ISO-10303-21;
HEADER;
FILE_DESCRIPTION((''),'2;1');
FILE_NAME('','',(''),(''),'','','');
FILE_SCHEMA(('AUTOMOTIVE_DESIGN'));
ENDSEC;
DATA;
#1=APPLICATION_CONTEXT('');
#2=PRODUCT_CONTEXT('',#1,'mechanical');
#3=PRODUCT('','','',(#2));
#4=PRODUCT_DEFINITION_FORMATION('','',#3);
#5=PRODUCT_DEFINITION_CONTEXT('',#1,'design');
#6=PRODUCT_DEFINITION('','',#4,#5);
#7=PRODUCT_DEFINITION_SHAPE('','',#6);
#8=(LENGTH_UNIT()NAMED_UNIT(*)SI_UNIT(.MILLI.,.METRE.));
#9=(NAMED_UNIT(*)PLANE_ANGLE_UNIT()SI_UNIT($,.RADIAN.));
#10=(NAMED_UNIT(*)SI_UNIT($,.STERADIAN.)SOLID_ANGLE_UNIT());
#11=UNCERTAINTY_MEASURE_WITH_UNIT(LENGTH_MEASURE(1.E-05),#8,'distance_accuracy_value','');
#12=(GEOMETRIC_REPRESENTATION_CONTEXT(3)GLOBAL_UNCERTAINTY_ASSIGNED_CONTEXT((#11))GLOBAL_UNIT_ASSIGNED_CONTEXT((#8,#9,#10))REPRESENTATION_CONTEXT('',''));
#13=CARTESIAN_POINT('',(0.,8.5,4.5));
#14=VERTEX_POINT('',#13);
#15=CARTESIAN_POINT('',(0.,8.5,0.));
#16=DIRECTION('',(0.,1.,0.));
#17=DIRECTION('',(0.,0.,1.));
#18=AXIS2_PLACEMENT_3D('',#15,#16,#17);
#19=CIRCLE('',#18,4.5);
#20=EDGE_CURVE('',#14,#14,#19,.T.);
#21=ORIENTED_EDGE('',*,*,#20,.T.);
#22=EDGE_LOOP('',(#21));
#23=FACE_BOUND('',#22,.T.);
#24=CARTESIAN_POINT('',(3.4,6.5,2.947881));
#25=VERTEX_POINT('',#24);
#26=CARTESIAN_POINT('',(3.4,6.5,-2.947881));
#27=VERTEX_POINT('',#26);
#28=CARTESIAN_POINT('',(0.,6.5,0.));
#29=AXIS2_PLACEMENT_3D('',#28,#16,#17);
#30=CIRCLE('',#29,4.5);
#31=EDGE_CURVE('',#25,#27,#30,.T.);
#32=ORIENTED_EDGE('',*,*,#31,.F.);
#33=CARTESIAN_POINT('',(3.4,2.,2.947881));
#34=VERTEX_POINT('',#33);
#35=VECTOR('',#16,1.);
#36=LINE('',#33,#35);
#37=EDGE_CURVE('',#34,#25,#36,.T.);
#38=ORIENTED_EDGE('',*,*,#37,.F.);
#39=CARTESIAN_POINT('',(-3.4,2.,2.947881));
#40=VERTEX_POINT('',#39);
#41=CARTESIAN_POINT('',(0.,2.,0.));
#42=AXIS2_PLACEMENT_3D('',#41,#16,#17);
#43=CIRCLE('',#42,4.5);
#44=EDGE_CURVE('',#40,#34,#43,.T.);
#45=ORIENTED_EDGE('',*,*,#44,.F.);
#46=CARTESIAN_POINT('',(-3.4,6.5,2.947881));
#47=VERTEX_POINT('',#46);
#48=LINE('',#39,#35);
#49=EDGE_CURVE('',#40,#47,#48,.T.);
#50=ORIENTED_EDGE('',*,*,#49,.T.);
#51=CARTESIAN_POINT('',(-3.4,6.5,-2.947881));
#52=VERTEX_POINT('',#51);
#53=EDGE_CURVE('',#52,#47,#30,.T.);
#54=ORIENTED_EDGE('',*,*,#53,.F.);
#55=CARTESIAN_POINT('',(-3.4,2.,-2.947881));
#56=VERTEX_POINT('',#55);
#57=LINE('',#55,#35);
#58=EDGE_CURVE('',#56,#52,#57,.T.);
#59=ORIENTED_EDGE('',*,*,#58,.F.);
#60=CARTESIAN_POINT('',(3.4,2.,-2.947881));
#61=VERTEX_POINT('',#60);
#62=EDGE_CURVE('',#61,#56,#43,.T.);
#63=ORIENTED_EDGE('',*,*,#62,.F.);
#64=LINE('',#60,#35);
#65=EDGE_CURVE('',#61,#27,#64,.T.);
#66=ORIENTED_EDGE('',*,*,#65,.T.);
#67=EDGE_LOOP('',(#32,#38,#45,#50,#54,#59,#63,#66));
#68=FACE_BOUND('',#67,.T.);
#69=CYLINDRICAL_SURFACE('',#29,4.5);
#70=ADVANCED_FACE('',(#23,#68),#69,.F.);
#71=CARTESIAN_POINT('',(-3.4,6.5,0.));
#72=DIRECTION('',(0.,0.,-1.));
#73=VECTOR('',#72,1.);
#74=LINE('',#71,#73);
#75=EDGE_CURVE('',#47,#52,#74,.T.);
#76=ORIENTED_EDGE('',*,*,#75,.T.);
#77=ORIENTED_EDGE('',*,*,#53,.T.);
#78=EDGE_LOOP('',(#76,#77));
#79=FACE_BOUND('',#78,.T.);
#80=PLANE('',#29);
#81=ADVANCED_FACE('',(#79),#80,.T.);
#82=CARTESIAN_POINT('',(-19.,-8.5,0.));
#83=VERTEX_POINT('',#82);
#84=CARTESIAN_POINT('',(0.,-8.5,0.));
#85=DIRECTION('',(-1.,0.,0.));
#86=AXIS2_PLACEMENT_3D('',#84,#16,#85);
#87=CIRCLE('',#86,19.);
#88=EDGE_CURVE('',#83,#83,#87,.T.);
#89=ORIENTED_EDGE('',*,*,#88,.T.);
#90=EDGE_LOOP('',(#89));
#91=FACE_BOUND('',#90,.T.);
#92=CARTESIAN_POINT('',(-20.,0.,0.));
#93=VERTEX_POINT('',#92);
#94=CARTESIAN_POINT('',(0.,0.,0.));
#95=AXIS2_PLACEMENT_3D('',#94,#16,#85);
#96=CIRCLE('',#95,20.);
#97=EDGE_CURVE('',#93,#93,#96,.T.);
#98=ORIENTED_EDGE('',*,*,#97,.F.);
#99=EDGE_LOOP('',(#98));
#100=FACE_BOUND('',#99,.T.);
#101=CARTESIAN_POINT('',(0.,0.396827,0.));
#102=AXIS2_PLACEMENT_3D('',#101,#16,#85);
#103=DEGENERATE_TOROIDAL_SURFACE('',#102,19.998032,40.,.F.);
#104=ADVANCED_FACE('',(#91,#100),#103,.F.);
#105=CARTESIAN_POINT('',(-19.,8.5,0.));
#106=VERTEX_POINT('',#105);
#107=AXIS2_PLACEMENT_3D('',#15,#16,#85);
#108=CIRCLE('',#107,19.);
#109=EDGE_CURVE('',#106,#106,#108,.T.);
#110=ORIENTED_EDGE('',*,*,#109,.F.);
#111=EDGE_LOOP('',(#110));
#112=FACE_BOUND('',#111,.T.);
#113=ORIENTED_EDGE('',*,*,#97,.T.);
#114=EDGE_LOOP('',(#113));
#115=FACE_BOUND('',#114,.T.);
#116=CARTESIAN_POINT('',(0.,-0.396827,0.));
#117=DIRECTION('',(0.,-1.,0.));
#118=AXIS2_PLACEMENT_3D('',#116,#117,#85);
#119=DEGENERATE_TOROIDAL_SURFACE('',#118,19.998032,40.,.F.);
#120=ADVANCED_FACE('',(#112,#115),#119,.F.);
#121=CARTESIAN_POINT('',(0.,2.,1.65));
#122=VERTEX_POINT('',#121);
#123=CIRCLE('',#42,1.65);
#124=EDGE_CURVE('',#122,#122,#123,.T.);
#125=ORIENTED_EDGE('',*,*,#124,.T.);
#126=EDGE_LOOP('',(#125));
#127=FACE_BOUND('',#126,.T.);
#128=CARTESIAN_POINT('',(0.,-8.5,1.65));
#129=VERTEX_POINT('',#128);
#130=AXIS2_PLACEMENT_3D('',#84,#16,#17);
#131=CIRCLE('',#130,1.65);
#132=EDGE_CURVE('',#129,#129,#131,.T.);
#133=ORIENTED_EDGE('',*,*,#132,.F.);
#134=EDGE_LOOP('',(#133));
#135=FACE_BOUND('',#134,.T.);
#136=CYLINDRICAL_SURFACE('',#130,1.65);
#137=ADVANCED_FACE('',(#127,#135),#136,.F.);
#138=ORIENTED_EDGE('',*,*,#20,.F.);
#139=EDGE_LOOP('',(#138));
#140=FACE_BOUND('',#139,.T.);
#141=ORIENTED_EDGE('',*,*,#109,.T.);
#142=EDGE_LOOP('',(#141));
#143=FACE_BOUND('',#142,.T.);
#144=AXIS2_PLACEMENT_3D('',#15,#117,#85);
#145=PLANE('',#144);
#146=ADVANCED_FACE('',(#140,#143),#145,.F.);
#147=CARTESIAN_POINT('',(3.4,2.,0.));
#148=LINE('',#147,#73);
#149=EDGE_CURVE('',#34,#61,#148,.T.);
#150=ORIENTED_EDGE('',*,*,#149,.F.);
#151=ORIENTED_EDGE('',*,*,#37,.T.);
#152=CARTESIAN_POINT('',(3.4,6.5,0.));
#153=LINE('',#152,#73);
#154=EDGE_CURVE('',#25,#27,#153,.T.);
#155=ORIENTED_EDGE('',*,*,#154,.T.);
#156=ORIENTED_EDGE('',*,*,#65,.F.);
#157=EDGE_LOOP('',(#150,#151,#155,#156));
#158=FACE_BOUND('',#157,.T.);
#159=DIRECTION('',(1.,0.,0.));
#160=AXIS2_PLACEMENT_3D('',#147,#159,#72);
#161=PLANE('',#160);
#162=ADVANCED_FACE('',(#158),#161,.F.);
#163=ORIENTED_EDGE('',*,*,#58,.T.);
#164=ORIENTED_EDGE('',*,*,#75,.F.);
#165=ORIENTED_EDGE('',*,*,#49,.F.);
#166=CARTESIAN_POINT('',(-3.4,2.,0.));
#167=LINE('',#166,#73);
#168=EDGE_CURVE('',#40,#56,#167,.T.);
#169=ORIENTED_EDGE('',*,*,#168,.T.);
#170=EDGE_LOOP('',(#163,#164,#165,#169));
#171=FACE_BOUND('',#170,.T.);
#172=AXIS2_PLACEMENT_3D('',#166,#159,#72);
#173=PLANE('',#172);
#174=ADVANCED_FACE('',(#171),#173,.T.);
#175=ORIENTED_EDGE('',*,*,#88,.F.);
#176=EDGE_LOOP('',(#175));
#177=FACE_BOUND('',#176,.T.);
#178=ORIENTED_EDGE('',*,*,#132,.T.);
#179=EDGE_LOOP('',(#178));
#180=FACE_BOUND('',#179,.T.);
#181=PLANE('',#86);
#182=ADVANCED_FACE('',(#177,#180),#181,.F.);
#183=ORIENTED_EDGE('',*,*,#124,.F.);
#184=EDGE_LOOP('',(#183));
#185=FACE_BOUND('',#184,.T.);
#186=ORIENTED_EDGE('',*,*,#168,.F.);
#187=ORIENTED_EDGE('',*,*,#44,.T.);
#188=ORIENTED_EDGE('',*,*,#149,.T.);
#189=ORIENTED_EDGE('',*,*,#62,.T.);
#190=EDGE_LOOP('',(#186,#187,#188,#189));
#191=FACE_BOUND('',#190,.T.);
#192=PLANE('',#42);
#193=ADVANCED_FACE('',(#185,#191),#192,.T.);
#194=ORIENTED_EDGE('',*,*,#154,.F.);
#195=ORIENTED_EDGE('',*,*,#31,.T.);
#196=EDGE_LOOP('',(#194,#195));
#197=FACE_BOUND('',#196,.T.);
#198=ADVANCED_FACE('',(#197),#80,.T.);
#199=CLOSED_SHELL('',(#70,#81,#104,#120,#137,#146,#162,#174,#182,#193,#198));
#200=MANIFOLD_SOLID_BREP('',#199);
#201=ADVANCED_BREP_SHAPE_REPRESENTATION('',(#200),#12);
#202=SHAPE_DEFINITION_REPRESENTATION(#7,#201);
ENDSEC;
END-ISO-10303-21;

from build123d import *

# Parameters (mm, degrees)
SKETCH2_R          = 4.5
CUT_EXTRUDE1_DEPTH = 2
SKETCH2_3_R        = 1.65
CUT_EXTRUDE2_DEPTH = 34.000000173
CUT_EXTRUDE3_START = -2
SKETCH2_5_R        = 1.65
CUT_EXTRUDE3_DEPTH = 4.5


with BuildPart() as part:
    # Sketch1 → Revolve1 (revolve)
    with BuildSketch(Plane.XY, mode=Mode.PRIVATE) as revolve1_sk:
        with BuildLine():
            Line((0, -8.5), (19, -8.5))
            ThreePointArc((19, -8.5), (19.72799262, -4.276822661), (20, 0))
            Line((20, 0), (0, 0))
            Line((0, 0), (0, -8.5))
        make_face()
    revolve1 = revolve(revolve1_sk.sketch.rotate(Axis((0, 0, 0), (0, -1, 0)), 180), axis=Axis((0, 0, 0), (0, -1, 0)))

    # Mirror1: Revolve1 across plane
    add(revolve1.mirror(Plane.ZX))

    # Sketch2 → Cut-Extrude1 (cut)
    with BuildSketch(Plane(origin=(0, 8.5, 0), x_dir=(1, 0, 0), z_dir=(0, 1, 0))):
        with Locations(Location((0, 0, 0), (0, 0, 270))):
            Circle(SKETCH2_R)
    extrude(amount=-CUT_EXTRUDE1_DEPTH, mode=Mode.SUBTRACT)

    # Sketch2<3> → Cut-Extrude2 (cut, through all)
    with BuildSketch(Plane(origin=(0, 8.5, 0), x_dir=(1, 0, 0), z_dir=(0, 1, 0))):
        with Locations(Location((0, 0, 0), (0, 0, 270))):
            Circle(SKETCH2_3_R)
    extrude(amount=-CUT_EXTRUDE2_DEPTH, mode=Mode.SUBTRACT)

    # Sketch2<5> → Cut-Extrude3 (cut)
    with BuildSketch(Plane(origin=(0, 8.5, 0), x_dir=(1, 0, 0), z_dir=(0, 1, 0)).offset(CUT_EXTRUDE3_START)):
        with BuildLine():
            ThreePointArc((-3.4, -2.947880595), (0, -4.5), (3.4, -2.947880595))
            Line((3.4, -2.947880595), (3.4, 2.947880595))
            ThreePointArc((3.4, 2.947880595), (0, 4.5), (-3.4, 2.947880595))
            Line((-3.4, 2.947880595), (-3.4, -2.947880595))
        make_face()
        with Locations(Location((0, 0, 0), (0, 0, 270))):
            Circle(SKETCH2_5_R, mode=Mode.SUBTRACT)
    extrude(amount=-CUT_EXTRUDE3_DEPTH, mode=Mode.SUBTRACT)


solid = part.part
